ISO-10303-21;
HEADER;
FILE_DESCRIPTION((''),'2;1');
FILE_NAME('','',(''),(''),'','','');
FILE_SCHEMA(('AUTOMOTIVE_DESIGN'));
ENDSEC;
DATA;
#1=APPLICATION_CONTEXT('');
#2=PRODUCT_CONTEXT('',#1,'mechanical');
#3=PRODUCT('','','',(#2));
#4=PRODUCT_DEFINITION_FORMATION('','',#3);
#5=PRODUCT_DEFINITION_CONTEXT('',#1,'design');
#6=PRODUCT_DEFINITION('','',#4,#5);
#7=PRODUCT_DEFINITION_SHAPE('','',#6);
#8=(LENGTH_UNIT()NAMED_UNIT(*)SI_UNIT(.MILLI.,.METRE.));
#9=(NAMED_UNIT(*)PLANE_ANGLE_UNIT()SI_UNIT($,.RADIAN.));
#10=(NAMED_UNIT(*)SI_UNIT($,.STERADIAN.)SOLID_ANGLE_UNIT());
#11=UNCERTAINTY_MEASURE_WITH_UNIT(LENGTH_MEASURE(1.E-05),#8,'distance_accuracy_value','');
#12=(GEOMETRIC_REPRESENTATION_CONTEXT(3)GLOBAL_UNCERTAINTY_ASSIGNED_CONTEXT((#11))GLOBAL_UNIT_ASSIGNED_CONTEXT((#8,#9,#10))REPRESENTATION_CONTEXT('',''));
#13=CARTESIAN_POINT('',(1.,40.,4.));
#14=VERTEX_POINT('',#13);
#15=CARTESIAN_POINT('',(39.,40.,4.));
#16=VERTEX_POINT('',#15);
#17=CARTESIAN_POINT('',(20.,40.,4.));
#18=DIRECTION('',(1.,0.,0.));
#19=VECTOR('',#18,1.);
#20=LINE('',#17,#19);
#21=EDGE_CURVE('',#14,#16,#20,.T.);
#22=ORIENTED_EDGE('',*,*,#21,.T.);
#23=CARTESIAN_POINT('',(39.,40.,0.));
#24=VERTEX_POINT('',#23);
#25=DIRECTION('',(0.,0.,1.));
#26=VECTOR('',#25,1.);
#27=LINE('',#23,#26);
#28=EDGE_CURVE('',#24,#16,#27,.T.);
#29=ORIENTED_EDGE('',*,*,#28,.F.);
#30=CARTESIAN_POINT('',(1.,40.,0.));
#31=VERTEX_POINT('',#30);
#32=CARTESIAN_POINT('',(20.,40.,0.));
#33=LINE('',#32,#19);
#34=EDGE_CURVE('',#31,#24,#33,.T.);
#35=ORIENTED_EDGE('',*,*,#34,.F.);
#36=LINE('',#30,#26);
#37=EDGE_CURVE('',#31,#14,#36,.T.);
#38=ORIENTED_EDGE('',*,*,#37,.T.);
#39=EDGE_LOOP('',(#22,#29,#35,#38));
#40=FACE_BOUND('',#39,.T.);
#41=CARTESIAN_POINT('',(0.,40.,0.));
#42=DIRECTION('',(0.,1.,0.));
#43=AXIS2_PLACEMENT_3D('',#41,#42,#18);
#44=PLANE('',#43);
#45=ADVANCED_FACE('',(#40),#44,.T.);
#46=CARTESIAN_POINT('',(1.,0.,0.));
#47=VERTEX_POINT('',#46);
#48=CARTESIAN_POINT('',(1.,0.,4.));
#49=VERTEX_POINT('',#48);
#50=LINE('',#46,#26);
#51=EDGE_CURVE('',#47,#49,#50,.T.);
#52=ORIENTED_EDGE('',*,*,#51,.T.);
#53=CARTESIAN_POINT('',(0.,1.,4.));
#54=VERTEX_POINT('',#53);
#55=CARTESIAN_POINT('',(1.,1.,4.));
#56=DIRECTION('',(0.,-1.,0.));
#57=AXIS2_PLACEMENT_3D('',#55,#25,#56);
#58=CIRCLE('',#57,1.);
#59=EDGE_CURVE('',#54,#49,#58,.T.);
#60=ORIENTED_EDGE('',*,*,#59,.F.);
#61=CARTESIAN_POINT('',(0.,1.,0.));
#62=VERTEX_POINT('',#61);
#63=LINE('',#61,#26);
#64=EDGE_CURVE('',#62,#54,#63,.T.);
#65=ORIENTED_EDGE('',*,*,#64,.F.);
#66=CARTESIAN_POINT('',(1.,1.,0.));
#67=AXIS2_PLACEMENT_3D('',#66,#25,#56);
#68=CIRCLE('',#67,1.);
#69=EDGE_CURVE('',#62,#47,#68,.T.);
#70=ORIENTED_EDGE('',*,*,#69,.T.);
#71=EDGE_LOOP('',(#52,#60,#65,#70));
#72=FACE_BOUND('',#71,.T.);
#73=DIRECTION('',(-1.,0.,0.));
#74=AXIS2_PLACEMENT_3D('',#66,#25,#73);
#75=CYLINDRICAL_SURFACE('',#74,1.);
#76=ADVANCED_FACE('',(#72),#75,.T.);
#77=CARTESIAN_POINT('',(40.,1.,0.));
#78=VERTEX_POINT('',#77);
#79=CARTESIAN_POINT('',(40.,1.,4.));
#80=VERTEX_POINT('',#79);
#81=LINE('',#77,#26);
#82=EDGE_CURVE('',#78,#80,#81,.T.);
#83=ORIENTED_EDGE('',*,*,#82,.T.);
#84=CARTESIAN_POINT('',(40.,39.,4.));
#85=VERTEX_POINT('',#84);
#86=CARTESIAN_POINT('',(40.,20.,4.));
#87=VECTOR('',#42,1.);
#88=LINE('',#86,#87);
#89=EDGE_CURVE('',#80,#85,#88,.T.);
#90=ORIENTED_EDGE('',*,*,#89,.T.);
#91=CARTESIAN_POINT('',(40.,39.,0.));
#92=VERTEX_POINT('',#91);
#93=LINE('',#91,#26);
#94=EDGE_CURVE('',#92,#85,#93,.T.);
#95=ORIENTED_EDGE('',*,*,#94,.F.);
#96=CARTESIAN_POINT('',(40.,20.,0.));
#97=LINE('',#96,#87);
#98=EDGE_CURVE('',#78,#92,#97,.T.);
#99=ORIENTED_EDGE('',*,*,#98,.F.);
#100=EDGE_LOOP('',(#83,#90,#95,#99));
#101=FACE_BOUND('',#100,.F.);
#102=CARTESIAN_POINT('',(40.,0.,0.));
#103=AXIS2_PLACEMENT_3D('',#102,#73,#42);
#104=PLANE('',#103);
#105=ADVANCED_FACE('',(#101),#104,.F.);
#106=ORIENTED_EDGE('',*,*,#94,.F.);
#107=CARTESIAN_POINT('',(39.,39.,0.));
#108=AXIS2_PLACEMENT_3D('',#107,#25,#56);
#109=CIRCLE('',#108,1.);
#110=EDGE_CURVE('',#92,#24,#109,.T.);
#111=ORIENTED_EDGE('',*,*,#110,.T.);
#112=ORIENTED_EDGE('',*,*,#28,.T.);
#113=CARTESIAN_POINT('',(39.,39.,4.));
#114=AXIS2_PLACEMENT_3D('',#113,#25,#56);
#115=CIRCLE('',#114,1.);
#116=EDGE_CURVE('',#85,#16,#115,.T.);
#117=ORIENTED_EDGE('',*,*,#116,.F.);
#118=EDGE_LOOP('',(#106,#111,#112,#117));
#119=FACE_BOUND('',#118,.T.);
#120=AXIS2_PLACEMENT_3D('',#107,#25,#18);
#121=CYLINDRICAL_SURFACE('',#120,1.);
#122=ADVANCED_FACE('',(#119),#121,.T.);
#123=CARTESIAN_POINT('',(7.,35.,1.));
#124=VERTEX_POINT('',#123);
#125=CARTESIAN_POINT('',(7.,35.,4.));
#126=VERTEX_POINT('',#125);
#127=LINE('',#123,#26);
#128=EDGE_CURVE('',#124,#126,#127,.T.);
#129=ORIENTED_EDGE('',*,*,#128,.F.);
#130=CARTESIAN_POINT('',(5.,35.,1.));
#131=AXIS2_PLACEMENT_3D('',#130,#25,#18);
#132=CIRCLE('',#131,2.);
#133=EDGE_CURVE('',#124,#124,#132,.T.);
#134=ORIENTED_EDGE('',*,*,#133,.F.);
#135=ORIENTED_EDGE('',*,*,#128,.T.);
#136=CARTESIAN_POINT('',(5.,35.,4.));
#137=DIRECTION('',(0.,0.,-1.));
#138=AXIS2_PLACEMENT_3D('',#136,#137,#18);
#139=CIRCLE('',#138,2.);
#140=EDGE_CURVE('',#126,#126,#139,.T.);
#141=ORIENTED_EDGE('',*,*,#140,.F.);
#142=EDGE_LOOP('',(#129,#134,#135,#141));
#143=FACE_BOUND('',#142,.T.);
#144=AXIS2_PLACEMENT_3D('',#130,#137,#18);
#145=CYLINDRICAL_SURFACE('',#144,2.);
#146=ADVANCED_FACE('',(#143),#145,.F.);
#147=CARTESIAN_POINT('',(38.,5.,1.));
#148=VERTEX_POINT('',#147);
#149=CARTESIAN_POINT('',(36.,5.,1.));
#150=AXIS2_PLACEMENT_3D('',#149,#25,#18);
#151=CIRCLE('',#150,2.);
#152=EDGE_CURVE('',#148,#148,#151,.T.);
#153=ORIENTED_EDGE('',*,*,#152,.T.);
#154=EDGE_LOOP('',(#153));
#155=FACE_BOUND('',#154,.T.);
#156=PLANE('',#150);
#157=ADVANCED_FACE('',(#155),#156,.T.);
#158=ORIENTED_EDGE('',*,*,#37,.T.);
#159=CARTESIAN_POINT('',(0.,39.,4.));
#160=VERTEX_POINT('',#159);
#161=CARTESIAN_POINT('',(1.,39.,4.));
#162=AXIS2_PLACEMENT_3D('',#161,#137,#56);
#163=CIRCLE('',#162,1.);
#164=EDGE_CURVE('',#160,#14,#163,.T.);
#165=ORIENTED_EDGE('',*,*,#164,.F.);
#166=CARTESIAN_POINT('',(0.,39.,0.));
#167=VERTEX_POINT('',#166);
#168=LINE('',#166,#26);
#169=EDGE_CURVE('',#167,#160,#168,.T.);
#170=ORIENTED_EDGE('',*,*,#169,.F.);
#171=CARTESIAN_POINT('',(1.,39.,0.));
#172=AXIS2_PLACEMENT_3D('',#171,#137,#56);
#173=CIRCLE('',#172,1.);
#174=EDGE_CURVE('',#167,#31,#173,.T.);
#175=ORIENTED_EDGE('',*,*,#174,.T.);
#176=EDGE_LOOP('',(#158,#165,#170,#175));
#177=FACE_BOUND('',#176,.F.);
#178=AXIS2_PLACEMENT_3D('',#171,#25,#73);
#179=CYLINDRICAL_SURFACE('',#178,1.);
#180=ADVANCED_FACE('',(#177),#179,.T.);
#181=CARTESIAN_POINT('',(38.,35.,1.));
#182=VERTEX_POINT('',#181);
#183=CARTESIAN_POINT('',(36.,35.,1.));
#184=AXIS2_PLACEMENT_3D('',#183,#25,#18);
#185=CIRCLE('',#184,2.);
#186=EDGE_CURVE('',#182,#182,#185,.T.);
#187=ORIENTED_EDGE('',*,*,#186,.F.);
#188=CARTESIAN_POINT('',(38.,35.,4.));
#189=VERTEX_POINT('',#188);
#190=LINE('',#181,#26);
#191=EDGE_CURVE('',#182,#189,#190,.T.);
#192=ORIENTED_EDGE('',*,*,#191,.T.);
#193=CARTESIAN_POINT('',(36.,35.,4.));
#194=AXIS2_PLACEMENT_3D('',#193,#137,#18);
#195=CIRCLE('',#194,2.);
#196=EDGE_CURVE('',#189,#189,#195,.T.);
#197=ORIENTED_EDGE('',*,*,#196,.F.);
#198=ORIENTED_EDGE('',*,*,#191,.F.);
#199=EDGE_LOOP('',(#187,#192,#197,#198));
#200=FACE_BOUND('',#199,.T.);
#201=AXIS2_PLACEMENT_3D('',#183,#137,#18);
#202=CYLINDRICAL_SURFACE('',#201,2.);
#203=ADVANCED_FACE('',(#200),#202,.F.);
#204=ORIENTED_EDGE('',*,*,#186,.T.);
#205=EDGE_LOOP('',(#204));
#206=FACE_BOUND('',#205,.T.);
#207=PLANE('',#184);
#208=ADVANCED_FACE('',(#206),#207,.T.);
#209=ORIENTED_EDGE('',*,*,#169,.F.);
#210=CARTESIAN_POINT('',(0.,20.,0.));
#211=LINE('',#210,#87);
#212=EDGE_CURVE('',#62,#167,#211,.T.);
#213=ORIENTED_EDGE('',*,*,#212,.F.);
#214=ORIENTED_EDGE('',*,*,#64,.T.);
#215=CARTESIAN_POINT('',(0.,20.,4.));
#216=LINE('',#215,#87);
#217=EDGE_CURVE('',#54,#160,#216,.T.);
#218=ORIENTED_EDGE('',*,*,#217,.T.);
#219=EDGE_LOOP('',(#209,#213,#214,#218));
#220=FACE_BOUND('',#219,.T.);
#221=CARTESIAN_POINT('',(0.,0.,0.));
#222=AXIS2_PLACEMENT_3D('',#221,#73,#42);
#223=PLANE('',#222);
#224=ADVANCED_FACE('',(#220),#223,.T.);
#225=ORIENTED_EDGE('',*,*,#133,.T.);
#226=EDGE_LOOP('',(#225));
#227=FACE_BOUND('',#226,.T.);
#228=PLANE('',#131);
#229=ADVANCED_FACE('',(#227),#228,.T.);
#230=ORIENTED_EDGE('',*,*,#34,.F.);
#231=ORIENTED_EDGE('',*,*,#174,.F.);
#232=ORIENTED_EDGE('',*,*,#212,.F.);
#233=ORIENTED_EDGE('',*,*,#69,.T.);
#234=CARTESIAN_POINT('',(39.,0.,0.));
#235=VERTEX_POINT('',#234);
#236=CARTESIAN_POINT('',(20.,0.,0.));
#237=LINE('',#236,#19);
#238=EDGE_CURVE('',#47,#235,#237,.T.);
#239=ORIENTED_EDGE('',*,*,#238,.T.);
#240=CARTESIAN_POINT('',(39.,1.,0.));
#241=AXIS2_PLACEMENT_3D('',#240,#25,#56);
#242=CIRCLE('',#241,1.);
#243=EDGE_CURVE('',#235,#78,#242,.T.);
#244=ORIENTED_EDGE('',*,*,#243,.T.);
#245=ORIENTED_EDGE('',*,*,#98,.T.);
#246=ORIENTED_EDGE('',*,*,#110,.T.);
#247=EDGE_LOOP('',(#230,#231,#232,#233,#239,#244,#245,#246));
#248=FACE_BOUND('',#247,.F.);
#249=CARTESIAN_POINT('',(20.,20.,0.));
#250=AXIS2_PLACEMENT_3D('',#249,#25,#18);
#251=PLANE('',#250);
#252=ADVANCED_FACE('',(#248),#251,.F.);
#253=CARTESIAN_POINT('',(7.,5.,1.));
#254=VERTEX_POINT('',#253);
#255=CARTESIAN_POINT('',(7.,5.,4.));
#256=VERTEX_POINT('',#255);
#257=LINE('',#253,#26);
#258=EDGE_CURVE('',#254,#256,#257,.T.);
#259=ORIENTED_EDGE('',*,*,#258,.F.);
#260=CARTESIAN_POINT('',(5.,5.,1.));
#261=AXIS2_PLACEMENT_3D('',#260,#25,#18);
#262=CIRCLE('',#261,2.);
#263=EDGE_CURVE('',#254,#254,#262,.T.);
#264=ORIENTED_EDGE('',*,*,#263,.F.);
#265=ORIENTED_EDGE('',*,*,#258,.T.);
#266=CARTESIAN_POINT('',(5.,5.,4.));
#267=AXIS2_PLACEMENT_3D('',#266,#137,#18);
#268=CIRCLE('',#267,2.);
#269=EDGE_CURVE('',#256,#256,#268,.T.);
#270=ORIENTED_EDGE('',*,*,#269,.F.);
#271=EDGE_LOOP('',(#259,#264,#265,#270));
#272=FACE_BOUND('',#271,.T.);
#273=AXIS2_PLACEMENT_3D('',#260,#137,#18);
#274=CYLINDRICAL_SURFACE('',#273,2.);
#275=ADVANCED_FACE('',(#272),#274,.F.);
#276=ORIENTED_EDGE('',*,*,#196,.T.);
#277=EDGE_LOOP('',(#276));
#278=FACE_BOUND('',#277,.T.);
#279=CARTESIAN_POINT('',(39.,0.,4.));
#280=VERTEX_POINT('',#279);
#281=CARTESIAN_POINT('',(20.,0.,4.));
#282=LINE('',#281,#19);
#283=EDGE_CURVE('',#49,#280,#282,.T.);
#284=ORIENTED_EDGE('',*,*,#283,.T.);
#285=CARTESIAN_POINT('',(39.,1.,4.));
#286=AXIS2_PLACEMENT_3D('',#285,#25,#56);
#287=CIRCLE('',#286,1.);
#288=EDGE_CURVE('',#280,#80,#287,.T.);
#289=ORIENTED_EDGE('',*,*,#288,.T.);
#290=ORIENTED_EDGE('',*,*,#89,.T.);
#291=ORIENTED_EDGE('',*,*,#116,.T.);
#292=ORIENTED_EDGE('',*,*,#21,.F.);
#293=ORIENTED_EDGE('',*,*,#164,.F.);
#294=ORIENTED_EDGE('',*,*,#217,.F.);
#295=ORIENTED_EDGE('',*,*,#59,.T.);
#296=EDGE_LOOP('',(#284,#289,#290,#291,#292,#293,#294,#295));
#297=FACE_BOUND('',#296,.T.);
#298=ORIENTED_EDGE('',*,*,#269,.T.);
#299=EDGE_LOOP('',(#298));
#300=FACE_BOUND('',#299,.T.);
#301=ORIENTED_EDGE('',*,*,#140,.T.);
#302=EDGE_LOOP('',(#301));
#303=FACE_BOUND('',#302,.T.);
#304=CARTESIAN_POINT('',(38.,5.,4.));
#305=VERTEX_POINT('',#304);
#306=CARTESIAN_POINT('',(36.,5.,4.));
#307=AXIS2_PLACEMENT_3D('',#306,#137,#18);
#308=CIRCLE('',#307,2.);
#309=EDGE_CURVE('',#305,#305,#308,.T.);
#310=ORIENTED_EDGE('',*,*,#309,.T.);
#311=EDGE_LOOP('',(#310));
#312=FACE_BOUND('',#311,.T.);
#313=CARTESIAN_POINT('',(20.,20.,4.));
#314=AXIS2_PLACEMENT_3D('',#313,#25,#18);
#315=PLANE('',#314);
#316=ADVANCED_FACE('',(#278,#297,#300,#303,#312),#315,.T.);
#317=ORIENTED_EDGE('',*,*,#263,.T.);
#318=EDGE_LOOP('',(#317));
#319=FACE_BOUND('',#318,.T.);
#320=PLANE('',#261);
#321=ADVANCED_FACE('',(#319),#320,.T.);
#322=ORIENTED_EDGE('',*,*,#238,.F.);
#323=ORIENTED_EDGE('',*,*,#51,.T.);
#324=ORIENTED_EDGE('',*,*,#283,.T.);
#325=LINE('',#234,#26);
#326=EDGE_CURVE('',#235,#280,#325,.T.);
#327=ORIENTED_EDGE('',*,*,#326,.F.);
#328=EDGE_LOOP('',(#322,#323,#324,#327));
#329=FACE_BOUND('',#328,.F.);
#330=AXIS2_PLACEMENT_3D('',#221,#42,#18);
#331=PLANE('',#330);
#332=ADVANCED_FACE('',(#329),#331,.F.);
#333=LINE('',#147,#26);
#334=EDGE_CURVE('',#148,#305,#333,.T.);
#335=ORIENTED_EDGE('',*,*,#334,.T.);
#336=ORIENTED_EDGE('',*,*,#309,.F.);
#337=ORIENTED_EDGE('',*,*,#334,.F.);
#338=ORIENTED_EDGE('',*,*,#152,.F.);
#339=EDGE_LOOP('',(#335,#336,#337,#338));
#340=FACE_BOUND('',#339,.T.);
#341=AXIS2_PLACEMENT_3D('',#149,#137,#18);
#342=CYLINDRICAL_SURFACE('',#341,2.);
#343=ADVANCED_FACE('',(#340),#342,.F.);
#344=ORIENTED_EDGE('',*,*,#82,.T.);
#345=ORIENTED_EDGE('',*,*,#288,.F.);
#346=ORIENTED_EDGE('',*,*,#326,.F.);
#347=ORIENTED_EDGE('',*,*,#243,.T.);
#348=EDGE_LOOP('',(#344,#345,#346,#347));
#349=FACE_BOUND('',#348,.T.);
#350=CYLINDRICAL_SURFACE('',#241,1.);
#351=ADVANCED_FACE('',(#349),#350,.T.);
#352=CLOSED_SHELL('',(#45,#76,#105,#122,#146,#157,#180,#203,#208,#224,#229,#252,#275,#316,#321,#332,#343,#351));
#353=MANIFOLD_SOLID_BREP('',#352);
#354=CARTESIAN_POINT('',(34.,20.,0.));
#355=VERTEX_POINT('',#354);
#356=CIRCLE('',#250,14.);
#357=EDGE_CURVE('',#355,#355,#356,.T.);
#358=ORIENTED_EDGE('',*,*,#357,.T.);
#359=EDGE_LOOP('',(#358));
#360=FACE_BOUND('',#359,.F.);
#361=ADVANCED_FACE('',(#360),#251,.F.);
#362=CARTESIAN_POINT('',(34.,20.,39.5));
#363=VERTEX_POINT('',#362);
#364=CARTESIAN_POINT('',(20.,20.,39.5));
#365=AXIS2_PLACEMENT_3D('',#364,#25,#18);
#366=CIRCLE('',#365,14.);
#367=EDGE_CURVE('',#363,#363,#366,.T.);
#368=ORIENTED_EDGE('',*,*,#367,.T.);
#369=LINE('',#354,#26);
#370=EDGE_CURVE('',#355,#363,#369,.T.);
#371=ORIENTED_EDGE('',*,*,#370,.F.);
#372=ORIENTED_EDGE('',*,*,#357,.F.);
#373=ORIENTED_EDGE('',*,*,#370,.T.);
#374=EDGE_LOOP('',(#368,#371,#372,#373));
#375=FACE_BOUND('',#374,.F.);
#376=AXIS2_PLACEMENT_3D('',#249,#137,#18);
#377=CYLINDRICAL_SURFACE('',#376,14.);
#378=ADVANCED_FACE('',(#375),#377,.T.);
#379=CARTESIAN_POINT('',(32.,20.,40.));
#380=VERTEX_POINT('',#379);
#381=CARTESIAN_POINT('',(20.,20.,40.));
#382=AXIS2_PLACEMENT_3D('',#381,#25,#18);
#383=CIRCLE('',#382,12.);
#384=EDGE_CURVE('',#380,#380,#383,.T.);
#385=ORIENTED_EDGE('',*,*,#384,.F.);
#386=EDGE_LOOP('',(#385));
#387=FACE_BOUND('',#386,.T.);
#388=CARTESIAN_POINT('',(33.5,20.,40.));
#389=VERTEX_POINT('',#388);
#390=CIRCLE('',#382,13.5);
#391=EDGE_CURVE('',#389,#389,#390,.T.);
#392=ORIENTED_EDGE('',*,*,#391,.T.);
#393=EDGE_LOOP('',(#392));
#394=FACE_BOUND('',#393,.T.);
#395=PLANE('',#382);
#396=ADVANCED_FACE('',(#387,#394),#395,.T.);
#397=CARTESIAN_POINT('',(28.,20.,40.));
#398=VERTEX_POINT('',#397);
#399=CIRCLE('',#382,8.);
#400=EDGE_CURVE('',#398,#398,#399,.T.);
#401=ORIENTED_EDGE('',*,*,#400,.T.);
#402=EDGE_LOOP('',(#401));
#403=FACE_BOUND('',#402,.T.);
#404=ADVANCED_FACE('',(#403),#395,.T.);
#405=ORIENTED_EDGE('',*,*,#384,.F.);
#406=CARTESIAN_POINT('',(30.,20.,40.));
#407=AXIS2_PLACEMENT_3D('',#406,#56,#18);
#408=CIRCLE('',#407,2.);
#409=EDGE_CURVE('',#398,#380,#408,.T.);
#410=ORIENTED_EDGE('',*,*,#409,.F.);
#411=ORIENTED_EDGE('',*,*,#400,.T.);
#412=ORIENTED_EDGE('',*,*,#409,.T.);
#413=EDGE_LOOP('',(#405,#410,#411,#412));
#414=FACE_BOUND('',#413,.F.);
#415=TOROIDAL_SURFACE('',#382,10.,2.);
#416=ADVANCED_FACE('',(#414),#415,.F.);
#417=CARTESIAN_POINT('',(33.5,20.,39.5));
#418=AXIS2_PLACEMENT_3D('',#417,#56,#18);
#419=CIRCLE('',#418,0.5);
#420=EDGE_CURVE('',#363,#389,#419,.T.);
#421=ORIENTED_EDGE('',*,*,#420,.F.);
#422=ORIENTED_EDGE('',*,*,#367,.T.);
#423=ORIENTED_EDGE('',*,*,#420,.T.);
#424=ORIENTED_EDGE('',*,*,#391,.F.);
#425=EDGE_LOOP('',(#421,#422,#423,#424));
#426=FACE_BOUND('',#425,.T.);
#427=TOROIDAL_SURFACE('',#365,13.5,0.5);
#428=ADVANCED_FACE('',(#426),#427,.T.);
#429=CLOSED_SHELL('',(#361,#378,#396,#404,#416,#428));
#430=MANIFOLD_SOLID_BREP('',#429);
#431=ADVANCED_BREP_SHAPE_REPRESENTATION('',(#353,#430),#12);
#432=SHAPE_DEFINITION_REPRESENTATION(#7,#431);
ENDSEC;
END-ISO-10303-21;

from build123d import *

# Parameters (mm, degrees)
TORUS_R           = 2
CYLINDER004_R     = 14
CYLINDER004_DEPTH = 40
FILLET001_R       = 0.5
CYLINDER003_R     = 2
CYLINDER003_DEPTH = 4
CYLINDER002_R     = 2
CYLINDER002_DEPTH = 4
CYLINDER001_R     = 2
CYLINDER001_DEPTH = 4
CYLINDER_R        = 2
CYLINDER_DEPTH    = 4
BOX_W             = 40
BOX_H             = 40
BOX_DEPTH         = 4
FILLET_R          = 1


with BuildPart() as torus:
    # Torus → Torus (revolve)
    with BuildSketch(Plane(origin=(20, 20, 40), x_dir=(1, 0, 0), z_dir=(0, -1, 0))):
        with Locations((10, 0)):
            Circle(TORUS_R)
    revolve(axis=Axis((20, 20, 40), (0, 0, 1)))


with BuildPart() as fillet001:
    # Cylinder004 → Cylinder004 (new body)
    with BuildSketch(Plane(origin=(20, 20, 0), x_dir=(1, 0, 0), z_dir=(0, 0, 1))):
        Circle(CYLINDER004_R)
    extrude(amount=CYLINDER004_DEPTH)

    # Cut: cut Torus
    add(torus.part, mode=Mode.SUBTRACT)

    # Fillet001
    fillet001_edges = [fillet001.edges().sort_by_distance(p)[0] for p in [
        (6, 20, 40),
    ]]
    fillet(fillet001_edges, radius=FILLET001_R)


with BuildPart() as cylinder003:
    # Cylinder003 → Cylinder003 (new body)
    with BuildSketch(Plane(origin=(36, 35, 1), x_dir=(1, 0, 0), z_dir=(0, 0, 1))):
        Circle(CYLINDER003_R)
    extrude(amount=CYLINDER003_DEPTH)


with BuildPart() as cylinder002:
    # Cylinder002 → Cylinder002 (new body)
    with BuildSketch(Plane(origin=(5, 35, 1), x_dir=(1, 0, 0), z_dir=(0, 0, 1))):
        Circle(CYLINDER002_R)
    extrude(amount=CYLINDER002_DEPTH)


with BuildPart() as cylinder001:
    # Cylinder001 → Cylinder001 (new body)
    with BuildSketch(Plane(origin=(5, 5, 1), x_dir=(1, 0, 0), z_dir=(0, 0, 1))):
        Circle(CYLINDER001_R)
    extrude(amount=CYLINDER001_DEPTH)


with BuildPart() as cylinder:
    # Cylinder → Cylinder (new body)
    with BuildSketch(Plane(origin=(36, 5, 1), x_dir=(1, 0, 0), z_dir=(0, 0, 1))):
        Circle(CYLINDER_R)
    extrude(amount=CYLINDER_DEPTH)


with BuildPart() as cut004:
    # Box → Box (new body)
    with BuildSketch(Plane.XY):
        with Locations((20, 20)):
            Rectangle(BOX_W, BOX_H)
    extrude(amount=BOX_DEPTH)

    # Fillet
    fillet_edges = [cut004.edges().sort_by_distance(p)[0] for p in [
        (0, 0, 2),
        (0, 40, 2),
        (40, 0, 2),
        (40, 40, 2),
    ]]
    fillet(fillet_edges, radius=FILLET_R)

    # Cut001: cut Cylinder
    add(cylinder.part, mode=Mode.SUBTRACT)

    # Cut002: cut Cylinder001
    add(cylinder001.part, mode=Mode.SUBTRACT)

    # Cut003: cut Cylinder002
    add(cylinder002.part, mode=Mode.SUBTRACT)

    # Cut004: cut Cylinder003
    add(cylinder003.part, mode=Mode.SUBTRACT)


solid = Compound([fillet001.part, cut004.part])
